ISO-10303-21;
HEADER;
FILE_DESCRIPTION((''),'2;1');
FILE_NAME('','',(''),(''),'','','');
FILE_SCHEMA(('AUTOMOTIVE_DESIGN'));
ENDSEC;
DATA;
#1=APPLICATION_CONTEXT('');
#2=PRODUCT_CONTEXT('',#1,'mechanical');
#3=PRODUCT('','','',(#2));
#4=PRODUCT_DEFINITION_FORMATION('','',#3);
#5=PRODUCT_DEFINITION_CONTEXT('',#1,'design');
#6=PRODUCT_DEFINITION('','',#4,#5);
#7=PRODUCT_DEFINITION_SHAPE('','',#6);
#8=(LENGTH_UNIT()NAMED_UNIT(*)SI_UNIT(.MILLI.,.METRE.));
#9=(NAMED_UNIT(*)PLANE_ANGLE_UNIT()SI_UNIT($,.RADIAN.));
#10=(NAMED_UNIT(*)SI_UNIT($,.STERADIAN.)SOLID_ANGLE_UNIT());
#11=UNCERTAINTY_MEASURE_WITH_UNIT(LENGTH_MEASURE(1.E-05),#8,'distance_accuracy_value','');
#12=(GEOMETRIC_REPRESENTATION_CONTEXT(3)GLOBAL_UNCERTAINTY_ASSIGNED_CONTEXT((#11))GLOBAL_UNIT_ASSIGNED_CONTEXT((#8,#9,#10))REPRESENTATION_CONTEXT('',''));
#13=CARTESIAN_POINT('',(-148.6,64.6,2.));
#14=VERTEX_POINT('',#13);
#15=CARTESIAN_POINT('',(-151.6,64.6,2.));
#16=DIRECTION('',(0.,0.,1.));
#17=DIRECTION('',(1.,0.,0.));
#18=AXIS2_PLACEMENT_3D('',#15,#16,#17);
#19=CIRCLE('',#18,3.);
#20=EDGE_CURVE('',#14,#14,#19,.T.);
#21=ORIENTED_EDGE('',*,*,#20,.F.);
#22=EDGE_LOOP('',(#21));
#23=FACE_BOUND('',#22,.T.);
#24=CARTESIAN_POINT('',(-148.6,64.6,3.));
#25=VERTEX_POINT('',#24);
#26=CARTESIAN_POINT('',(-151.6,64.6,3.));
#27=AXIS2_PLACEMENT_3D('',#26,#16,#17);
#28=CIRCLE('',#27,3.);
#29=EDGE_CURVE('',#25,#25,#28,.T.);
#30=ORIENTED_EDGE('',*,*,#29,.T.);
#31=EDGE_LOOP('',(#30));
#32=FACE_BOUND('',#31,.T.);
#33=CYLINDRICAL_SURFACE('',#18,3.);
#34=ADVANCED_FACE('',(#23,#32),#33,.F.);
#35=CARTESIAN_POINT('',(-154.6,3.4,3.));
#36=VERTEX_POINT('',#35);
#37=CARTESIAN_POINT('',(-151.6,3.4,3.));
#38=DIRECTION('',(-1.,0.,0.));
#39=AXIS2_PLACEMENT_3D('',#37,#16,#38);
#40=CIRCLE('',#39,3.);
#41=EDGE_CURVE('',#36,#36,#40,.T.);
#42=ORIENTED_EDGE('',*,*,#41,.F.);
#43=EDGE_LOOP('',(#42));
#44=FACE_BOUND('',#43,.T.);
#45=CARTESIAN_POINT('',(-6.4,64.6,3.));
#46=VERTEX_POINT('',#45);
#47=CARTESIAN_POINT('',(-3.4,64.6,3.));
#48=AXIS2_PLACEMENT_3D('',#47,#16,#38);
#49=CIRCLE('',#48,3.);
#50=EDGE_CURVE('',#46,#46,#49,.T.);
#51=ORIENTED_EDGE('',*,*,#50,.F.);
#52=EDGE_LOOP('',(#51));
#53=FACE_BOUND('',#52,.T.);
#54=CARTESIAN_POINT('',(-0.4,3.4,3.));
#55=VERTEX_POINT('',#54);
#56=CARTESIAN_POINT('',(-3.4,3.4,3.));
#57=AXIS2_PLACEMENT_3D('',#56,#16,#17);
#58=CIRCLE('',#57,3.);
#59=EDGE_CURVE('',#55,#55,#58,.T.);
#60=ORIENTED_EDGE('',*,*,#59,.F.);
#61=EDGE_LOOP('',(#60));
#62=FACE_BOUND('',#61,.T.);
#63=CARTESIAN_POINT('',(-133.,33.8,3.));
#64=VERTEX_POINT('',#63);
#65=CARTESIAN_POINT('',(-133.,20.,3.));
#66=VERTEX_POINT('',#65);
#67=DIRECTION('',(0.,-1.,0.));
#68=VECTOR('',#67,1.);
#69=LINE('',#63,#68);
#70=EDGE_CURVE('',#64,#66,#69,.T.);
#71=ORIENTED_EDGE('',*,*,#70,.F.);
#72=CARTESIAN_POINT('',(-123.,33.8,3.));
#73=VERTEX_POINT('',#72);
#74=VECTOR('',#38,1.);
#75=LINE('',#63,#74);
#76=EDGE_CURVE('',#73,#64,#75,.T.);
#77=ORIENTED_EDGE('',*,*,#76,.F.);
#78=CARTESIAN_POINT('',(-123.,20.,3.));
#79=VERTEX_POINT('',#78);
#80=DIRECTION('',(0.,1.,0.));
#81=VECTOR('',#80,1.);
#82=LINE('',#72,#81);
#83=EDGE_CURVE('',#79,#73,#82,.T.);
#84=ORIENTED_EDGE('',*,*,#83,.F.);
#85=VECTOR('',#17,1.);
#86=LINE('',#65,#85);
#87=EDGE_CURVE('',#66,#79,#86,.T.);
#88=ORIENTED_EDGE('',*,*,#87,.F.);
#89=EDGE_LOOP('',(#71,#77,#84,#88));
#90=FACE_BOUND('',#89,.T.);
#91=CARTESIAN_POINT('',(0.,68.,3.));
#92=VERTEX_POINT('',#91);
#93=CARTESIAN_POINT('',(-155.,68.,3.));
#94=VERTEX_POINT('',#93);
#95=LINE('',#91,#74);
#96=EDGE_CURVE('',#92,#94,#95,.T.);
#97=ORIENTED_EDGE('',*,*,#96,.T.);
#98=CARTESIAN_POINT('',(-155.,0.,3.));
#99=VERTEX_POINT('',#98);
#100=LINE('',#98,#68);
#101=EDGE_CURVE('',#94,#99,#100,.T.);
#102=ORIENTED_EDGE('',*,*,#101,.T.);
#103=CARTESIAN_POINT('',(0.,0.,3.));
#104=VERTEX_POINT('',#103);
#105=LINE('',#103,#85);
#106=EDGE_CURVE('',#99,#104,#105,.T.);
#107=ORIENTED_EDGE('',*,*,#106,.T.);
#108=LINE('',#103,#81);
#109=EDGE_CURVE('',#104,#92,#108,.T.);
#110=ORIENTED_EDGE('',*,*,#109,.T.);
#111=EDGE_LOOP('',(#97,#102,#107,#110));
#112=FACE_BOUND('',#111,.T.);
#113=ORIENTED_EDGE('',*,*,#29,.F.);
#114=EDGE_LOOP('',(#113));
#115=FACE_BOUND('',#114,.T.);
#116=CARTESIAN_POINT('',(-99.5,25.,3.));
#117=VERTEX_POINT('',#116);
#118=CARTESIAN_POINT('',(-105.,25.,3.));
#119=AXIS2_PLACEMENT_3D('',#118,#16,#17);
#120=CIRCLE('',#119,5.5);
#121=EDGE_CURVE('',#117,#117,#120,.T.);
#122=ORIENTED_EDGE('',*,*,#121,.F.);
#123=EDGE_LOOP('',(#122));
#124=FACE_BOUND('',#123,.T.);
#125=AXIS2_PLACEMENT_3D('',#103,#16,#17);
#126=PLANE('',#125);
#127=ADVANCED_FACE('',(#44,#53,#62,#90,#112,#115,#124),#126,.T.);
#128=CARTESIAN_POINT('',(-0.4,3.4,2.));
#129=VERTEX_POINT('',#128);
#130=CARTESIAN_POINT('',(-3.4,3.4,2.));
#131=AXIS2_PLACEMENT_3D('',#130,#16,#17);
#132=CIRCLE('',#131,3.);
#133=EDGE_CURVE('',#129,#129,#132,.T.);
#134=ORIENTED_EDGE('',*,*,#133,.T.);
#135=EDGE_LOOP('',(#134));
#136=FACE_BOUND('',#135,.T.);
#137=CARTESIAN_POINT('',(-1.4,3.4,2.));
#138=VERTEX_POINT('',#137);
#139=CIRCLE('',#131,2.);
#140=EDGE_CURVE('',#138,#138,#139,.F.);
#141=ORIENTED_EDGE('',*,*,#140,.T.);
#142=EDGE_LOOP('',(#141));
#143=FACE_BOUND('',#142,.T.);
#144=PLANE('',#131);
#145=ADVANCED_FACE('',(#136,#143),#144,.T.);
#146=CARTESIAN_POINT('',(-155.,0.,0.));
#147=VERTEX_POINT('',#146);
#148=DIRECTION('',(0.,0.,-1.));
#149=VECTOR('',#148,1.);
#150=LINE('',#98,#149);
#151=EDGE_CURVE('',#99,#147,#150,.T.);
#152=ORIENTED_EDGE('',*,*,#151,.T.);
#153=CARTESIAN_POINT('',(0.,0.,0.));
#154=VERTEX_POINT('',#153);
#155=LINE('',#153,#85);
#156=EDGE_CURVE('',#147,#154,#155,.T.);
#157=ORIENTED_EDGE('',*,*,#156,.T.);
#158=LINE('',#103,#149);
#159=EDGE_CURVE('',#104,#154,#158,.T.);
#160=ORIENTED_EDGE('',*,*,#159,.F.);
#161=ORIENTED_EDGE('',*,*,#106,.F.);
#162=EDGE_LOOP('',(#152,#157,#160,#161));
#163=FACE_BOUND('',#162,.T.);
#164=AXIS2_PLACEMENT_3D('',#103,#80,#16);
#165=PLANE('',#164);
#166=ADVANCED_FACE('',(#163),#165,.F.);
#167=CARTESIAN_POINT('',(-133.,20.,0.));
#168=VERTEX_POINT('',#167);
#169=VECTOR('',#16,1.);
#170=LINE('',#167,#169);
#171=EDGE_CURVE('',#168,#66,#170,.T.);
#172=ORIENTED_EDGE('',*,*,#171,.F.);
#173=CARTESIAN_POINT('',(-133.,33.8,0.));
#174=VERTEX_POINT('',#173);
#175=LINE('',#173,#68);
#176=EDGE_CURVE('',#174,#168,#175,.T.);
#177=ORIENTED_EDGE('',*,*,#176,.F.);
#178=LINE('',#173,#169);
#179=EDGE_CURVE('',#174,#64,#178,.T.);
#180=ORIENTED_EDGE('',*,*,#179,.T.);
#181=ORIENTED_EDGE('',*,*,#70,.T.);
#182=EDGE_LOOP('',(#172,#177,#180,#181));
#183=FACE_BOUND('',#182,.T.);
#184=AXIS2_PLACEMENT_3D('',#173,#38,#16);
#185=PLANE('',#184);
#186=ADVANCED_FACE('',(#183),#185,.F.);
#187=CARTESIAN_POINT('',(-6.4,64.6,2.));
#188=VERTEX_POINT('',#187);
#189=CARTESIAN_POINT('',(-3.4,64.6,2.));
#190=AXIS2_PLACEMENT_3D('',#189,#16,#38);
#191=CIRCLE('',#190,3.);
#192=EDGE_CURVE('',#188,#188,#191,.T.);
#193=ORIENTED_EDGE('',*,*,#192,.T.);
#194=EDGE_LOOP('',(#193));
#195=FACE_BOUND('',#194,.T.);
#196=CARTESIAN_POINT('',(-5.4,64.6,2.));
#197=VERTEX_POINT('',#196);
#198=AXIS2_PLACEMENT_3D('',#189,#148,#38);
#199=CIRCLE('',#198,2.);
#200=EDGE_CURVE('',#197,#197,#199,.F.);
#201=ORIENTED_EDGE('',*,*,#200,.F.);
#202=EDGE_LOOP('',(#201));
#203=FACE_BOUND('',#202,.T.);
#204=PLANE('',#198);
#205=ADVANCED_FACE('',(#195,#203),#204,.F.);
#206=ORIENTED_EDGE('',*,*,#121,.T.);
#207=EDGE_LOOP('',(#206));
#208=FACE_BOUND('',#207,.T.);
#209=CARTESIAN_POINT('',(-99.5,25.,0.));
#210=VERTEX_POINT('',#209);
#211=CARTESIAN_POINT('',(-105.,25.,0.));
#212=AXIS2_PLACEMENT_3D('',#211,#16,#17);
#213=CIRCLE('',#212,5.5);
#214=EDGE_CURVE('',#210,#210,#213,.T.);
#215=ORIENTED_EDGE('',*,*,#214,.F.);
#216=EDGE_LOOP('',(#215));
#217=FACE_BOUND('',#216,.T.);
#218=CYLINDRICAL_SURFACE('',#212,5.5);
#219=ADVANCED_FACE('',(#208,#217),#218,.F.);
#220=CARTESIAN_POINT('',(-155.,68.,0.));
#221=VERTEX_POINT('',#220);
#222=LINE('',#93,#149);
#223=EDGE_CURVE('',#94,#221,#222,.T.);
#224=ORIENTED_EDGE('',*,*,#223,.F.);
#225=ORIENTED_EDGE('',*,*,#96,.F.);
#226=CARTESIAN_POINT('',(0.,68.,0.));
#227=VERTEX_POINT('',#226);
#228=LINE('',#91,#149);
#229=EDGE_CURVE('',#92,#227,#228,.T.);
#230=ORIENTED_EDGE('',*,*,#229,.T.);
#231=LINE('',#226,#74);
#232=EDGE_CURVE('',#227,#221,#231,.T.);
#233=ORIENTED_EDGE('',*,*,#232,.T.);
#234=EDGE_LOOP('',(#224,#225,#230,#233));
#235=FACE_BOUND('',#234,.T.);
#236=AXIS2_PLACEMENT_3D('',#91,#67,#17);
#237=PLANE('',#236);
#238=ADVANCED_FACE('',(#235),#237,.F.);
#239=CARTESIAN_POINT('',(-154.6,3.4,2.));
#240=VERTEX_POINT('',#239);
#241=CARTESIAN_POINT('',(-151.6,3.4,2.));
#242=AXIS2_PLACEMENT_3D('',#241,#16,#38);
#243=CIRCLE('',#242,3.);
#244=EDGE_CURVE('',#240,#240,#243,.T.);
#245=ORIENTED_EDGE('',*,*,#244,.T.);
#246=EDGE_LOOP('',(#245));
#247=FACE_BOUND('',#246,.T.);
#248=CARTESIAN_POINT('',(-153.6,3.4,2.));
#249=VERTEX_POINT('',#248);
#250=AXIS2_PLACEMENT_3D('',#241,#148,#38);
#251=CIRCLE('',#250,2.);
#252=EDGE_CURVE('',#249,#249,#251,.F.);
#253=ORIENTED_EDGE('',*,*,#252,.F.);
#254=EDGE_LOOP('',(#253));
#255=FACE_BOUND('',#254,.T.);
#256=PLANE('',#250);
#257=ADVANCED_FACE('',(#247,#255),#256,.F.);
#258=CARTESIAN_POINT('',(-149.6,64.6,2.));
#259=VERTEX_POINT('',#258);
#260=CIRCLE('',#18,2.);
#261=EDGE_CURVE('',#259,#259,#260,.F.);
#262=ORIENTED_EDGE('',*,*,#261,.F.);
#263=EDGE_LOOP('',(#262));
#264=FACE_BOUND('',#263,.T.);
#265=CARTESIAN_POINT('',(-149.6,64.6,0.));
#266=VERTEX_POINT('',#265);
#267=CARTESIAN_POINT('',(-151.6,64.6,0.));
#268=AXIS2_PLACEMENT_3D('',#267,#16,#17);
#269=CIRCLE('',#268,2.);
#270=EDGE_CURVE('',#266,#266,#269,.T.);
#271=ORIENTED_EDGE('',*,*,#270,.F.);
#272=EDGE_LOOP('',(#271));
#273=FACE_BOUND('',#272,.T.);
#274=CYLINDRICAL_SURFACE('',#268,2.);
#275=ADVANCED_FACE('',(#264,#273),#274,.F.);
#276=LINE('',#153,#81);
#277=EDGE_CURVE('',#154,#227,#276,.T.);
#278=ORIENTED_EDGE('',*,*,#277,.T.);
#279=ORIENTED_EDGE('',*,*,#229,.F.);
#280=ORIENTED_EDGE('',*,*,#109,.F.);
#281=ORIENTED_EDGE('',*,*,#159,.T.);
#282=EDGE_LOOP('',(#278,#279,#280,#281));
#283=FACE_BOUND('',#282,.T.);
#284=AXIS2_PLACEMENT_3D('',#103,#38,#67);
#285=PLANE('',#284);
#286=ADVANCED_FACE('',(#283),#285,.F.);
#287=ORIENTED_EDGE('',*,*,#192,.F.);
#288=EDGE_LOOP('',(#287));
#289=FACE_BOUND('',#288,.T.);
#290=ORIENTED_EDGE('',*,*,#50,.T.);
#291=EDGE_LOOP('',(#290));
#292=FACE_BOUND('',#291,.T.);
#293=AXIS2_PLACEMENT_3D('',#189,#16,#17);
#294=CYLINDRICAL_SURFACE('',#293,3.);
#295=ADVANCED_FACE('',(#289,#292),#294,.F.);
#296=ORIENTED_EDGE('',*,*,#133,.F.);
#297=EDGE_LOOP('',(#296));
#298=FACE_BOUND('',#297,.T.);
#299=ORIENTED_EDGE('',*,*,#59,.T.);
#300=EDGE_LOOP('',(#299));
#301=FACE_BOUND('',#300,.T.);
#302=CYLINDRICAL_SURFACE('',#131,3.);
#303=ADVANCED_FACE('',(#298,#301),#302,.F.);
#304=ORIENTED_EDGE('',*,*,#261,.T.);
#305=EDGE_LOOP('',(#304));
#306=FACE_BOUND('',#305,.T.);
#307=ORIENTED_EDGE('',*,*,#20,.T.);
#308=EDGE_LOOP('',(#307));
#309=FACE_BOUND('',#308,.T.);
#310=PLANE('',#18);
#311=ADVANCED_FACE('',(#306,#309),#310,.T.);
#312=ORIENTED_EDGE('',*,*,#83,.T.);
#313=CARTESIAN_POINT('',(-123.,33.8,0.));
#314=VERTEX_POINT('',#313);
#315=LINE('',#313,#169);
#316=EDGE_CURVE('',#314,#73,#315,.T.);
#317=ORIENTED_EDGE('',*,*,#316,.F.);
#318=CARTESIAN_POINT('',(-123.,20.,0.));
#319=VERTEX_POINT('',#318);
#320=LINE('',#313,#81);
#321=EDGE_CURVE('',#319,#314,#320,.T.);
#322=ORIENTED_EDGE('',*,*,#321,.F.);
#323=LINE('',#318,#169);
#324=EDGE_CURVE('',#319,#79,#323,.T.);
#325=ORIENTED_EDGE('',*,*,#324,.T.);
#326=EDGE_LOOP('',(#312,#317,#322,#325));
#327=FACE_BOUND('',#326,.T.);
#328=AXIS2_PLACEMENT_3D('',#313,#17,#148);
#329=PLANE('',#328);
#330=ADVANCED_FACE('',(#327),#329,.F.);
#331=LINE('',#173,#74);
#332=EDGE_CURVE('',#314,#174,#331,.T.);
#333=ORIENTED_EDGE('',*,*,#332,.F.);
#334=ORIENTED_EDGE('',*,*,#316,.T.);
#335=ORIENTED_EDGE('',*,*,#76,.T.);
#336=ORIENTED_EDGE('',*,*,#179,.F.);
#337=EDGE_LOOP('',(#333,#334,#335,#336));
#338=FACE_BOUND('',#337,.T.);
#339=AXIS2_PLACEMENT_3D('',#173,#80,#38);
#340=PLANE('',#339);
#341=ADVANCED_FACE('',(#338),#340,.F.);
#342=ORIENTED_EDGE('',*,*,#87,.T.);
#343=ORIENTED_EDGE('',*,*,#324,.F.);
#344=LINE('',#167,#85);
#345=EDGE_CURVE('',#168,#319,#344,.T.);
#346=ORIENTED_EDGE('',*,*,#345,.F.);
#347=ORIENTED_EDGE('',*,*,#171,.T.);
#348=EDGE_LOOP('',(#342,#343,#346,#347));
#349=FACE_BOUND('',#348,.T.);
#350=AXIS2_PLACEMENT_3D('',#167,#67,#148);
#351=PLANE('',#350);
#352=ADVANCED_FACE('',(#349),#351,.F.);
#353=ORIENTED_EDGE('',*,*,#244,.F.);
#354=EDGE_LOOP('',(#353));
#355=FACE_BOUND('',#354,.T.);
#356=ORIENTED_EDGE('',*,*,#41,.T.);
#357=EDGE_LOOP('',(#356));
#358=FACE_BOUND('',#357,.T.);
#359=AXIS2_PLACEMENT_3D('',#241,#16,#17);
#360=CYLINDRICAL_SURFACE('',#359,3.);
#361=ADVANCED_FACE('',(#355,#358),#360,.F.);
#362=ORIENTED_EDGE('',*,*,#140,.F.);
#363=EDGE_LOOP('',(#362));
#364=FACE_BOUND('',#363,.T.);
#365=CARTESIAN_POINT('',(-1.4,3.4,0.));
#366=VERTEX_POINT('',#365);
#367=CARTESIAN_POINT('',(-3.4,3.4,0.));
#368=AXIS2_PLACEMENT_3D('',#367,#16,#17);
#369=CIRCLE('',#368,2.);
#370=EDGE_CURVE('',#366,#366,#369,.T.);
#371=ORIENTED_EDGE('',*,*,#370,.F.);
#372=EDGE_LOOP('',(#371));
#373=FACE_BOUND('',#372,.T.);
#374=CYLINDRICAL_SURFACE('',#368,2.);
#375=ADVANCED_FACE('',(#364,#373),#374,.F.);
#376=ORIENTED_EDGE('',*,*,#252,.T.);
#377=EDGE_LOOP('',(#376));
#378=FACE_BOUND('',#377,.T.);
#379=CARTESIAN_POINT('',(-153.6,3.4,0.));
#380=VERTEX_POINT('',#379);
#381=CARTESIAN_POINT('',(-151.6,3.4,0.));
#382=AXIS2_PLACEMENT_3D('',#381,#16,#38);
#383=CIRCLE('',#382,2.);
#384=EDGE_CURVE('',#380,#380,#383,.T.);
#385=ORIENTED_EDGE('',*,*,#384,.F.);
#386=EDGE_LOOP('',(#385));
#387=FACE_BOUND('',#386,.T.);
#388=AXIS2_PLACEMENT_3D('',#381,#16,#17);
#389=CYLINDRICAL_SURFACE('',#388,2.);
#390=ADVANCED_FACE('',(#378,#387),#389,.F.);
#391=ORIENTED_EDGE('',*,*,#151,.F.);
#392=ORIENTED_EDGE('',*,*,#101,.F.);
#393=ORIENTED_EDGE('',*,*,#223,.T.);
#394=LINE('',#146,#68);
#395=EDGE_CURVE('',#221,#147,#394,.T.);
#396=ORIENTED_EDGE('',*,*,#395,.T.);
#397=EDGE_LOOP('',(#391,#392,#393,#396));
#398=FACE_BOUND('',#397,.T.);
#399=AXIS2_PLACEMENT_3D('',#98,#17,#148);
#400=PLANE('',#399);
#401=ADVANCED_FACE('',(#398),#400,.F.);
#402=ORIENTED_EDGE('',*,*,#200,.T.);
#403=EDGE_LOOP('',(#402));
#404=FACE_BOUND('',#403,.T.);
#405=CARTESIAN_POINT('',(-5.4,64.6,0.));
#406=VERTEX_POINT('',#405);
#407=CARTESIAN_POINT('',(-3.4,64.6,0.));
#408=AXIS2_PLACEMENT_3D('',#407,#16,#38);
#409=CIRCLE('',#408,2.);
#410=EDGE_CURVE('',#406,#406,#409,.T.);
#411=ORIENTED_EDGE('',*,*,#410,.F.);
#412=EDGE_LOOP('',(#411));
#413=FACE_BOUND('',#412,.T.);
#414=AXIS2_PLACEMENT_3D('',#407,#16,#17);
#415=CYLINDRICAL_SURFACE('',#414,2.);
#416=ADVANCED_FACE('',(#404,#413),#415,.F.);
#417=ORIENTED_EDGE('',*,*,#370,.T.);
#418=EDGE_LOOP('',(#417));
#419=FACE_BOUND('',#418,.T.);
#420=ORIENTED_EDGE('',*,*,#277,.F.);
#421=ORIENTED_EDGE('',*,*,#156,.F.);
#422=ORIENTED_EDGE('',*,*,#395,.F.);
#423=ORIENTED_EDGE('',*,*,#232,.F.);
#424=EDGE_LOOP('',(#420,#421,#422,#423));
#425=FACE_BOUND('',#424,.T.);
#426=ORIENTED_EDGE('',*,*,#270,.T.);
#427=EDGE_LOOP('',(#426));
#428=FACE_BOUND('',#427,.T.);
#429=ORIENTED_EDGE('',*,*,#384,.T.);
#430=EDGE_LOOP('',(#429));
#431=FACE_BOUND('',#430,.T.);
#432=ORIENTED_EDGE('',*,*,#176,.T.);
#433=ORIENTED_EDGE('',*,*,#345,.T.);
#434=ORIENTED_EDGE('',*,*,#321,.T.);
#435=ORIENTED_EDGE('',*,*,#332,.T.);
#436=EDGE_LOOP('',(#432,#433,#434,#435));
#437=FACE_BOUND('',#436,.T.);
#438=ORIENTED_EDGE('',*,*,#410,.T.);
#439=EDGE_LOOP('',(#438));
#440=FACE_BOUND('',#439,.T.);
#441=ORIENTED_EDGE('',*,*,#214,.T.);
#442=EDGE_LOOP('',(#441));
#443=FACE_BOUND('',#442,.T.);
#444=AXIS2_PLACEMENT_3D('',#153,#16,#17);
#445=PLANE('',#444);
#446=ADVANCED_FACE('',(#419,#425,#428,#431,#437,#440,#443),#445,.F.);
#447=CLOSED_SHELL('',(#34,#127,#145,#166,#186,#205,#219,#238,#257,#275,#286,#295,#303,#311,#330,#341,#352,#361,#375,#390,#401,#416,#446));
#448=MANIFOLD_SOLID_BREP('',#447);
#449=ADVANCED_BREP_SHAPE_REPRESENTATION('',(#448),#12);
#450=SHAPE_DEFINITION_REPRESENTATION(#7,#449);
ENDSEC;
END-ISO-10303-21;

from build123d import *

# Parameters (mm, degrees)
IZIM1_W                     = 155
IZIM1_H                     = 68
Y_KSEKLIK_EKSTR_ZYON1_DEPTH = 3
IZIM2_R                     = 5.5
IZIM2_W                     = 10
IZIM2_H                     = 13.8
KES_EKSTR_ZYON1_DEPTH       = 3
IZIM3_R                     = 2
KES_EKSTR_ZYON2_DEPTH       = 3
IZIM4_R                     = 3
KES_EKSTR_ZYON3_DEPTH       = 1


with BuildPart() as part:
    # Çizim1 → Yükseklik-Ekstrüzyon1 (new body)
    with BuildSketch(Plane.XY):
        with Locations((-77.5, 34)):
            Rectangle(IZIM1_W, IZIM1_H)
    extrude(amount=Y_KSEKLIK_EKSTR_ZYON1_DEPTH)

    # Çizim2 → Kes-Ekstrüzyon1 (cut)
    with BuildSketch(Plane.XY.offset(3)):
        with Locations((-105, 25)):
            Circle(IZIM2_R)
        with Locations((-128, 26.9)):
            Rectangle(IZIM2_W, IZIM2_H)
    extrude(amount=-KES_EKSTR_ZYON1_DEPTH, mode=Mode.SUBTRACT)

    # Çizim3 → Kes-Ekstrüzyon2 (cut)
    with BuildSketch(Plane.XY.offset(3)):
        with Locations((-151.6, 64.6)):
            Circle(IZIM3_R)
        with Locations(Location((-3.4, 64.6, 0), (0, 0, 180))):
            Circle(IZIM3_R)
        with Locations(Location((-151.6, 3.4, 0), (0, 0, 180))):
            Circle(IZIM3_R)
        with Locations((-3.4, 3.4)):
            Circle(IZIM3_R)
    extrude(amount=-KES_EKSTR_ZYON2_DEPTH, mode=Mode.SUBTRACT)

    # Çizim4 → Kes-Ekstrüzyon3 (cut)
    with BuildSketch(Plane.XY.offset(3)):
        with Locations((-151.6, 64.6)):
            Circle(IZIM4_R)
        with Locations(Location((-3.4, 64.6, 0), (0, 0, 180))):
            Circle(IZIM4_R)
        with Locations((-3.4, 3.4)):
            Circle(IZIM4_R)
        with Locations(Location((-151.6, 3.4, 0), (0, 0, 180))):
            Circle(IZIM4_R)
    extrude(amount=-KES_EKSTR_ZYON3_DEPTH, mode=Mode.SUBTRACT)


solid = part.part
